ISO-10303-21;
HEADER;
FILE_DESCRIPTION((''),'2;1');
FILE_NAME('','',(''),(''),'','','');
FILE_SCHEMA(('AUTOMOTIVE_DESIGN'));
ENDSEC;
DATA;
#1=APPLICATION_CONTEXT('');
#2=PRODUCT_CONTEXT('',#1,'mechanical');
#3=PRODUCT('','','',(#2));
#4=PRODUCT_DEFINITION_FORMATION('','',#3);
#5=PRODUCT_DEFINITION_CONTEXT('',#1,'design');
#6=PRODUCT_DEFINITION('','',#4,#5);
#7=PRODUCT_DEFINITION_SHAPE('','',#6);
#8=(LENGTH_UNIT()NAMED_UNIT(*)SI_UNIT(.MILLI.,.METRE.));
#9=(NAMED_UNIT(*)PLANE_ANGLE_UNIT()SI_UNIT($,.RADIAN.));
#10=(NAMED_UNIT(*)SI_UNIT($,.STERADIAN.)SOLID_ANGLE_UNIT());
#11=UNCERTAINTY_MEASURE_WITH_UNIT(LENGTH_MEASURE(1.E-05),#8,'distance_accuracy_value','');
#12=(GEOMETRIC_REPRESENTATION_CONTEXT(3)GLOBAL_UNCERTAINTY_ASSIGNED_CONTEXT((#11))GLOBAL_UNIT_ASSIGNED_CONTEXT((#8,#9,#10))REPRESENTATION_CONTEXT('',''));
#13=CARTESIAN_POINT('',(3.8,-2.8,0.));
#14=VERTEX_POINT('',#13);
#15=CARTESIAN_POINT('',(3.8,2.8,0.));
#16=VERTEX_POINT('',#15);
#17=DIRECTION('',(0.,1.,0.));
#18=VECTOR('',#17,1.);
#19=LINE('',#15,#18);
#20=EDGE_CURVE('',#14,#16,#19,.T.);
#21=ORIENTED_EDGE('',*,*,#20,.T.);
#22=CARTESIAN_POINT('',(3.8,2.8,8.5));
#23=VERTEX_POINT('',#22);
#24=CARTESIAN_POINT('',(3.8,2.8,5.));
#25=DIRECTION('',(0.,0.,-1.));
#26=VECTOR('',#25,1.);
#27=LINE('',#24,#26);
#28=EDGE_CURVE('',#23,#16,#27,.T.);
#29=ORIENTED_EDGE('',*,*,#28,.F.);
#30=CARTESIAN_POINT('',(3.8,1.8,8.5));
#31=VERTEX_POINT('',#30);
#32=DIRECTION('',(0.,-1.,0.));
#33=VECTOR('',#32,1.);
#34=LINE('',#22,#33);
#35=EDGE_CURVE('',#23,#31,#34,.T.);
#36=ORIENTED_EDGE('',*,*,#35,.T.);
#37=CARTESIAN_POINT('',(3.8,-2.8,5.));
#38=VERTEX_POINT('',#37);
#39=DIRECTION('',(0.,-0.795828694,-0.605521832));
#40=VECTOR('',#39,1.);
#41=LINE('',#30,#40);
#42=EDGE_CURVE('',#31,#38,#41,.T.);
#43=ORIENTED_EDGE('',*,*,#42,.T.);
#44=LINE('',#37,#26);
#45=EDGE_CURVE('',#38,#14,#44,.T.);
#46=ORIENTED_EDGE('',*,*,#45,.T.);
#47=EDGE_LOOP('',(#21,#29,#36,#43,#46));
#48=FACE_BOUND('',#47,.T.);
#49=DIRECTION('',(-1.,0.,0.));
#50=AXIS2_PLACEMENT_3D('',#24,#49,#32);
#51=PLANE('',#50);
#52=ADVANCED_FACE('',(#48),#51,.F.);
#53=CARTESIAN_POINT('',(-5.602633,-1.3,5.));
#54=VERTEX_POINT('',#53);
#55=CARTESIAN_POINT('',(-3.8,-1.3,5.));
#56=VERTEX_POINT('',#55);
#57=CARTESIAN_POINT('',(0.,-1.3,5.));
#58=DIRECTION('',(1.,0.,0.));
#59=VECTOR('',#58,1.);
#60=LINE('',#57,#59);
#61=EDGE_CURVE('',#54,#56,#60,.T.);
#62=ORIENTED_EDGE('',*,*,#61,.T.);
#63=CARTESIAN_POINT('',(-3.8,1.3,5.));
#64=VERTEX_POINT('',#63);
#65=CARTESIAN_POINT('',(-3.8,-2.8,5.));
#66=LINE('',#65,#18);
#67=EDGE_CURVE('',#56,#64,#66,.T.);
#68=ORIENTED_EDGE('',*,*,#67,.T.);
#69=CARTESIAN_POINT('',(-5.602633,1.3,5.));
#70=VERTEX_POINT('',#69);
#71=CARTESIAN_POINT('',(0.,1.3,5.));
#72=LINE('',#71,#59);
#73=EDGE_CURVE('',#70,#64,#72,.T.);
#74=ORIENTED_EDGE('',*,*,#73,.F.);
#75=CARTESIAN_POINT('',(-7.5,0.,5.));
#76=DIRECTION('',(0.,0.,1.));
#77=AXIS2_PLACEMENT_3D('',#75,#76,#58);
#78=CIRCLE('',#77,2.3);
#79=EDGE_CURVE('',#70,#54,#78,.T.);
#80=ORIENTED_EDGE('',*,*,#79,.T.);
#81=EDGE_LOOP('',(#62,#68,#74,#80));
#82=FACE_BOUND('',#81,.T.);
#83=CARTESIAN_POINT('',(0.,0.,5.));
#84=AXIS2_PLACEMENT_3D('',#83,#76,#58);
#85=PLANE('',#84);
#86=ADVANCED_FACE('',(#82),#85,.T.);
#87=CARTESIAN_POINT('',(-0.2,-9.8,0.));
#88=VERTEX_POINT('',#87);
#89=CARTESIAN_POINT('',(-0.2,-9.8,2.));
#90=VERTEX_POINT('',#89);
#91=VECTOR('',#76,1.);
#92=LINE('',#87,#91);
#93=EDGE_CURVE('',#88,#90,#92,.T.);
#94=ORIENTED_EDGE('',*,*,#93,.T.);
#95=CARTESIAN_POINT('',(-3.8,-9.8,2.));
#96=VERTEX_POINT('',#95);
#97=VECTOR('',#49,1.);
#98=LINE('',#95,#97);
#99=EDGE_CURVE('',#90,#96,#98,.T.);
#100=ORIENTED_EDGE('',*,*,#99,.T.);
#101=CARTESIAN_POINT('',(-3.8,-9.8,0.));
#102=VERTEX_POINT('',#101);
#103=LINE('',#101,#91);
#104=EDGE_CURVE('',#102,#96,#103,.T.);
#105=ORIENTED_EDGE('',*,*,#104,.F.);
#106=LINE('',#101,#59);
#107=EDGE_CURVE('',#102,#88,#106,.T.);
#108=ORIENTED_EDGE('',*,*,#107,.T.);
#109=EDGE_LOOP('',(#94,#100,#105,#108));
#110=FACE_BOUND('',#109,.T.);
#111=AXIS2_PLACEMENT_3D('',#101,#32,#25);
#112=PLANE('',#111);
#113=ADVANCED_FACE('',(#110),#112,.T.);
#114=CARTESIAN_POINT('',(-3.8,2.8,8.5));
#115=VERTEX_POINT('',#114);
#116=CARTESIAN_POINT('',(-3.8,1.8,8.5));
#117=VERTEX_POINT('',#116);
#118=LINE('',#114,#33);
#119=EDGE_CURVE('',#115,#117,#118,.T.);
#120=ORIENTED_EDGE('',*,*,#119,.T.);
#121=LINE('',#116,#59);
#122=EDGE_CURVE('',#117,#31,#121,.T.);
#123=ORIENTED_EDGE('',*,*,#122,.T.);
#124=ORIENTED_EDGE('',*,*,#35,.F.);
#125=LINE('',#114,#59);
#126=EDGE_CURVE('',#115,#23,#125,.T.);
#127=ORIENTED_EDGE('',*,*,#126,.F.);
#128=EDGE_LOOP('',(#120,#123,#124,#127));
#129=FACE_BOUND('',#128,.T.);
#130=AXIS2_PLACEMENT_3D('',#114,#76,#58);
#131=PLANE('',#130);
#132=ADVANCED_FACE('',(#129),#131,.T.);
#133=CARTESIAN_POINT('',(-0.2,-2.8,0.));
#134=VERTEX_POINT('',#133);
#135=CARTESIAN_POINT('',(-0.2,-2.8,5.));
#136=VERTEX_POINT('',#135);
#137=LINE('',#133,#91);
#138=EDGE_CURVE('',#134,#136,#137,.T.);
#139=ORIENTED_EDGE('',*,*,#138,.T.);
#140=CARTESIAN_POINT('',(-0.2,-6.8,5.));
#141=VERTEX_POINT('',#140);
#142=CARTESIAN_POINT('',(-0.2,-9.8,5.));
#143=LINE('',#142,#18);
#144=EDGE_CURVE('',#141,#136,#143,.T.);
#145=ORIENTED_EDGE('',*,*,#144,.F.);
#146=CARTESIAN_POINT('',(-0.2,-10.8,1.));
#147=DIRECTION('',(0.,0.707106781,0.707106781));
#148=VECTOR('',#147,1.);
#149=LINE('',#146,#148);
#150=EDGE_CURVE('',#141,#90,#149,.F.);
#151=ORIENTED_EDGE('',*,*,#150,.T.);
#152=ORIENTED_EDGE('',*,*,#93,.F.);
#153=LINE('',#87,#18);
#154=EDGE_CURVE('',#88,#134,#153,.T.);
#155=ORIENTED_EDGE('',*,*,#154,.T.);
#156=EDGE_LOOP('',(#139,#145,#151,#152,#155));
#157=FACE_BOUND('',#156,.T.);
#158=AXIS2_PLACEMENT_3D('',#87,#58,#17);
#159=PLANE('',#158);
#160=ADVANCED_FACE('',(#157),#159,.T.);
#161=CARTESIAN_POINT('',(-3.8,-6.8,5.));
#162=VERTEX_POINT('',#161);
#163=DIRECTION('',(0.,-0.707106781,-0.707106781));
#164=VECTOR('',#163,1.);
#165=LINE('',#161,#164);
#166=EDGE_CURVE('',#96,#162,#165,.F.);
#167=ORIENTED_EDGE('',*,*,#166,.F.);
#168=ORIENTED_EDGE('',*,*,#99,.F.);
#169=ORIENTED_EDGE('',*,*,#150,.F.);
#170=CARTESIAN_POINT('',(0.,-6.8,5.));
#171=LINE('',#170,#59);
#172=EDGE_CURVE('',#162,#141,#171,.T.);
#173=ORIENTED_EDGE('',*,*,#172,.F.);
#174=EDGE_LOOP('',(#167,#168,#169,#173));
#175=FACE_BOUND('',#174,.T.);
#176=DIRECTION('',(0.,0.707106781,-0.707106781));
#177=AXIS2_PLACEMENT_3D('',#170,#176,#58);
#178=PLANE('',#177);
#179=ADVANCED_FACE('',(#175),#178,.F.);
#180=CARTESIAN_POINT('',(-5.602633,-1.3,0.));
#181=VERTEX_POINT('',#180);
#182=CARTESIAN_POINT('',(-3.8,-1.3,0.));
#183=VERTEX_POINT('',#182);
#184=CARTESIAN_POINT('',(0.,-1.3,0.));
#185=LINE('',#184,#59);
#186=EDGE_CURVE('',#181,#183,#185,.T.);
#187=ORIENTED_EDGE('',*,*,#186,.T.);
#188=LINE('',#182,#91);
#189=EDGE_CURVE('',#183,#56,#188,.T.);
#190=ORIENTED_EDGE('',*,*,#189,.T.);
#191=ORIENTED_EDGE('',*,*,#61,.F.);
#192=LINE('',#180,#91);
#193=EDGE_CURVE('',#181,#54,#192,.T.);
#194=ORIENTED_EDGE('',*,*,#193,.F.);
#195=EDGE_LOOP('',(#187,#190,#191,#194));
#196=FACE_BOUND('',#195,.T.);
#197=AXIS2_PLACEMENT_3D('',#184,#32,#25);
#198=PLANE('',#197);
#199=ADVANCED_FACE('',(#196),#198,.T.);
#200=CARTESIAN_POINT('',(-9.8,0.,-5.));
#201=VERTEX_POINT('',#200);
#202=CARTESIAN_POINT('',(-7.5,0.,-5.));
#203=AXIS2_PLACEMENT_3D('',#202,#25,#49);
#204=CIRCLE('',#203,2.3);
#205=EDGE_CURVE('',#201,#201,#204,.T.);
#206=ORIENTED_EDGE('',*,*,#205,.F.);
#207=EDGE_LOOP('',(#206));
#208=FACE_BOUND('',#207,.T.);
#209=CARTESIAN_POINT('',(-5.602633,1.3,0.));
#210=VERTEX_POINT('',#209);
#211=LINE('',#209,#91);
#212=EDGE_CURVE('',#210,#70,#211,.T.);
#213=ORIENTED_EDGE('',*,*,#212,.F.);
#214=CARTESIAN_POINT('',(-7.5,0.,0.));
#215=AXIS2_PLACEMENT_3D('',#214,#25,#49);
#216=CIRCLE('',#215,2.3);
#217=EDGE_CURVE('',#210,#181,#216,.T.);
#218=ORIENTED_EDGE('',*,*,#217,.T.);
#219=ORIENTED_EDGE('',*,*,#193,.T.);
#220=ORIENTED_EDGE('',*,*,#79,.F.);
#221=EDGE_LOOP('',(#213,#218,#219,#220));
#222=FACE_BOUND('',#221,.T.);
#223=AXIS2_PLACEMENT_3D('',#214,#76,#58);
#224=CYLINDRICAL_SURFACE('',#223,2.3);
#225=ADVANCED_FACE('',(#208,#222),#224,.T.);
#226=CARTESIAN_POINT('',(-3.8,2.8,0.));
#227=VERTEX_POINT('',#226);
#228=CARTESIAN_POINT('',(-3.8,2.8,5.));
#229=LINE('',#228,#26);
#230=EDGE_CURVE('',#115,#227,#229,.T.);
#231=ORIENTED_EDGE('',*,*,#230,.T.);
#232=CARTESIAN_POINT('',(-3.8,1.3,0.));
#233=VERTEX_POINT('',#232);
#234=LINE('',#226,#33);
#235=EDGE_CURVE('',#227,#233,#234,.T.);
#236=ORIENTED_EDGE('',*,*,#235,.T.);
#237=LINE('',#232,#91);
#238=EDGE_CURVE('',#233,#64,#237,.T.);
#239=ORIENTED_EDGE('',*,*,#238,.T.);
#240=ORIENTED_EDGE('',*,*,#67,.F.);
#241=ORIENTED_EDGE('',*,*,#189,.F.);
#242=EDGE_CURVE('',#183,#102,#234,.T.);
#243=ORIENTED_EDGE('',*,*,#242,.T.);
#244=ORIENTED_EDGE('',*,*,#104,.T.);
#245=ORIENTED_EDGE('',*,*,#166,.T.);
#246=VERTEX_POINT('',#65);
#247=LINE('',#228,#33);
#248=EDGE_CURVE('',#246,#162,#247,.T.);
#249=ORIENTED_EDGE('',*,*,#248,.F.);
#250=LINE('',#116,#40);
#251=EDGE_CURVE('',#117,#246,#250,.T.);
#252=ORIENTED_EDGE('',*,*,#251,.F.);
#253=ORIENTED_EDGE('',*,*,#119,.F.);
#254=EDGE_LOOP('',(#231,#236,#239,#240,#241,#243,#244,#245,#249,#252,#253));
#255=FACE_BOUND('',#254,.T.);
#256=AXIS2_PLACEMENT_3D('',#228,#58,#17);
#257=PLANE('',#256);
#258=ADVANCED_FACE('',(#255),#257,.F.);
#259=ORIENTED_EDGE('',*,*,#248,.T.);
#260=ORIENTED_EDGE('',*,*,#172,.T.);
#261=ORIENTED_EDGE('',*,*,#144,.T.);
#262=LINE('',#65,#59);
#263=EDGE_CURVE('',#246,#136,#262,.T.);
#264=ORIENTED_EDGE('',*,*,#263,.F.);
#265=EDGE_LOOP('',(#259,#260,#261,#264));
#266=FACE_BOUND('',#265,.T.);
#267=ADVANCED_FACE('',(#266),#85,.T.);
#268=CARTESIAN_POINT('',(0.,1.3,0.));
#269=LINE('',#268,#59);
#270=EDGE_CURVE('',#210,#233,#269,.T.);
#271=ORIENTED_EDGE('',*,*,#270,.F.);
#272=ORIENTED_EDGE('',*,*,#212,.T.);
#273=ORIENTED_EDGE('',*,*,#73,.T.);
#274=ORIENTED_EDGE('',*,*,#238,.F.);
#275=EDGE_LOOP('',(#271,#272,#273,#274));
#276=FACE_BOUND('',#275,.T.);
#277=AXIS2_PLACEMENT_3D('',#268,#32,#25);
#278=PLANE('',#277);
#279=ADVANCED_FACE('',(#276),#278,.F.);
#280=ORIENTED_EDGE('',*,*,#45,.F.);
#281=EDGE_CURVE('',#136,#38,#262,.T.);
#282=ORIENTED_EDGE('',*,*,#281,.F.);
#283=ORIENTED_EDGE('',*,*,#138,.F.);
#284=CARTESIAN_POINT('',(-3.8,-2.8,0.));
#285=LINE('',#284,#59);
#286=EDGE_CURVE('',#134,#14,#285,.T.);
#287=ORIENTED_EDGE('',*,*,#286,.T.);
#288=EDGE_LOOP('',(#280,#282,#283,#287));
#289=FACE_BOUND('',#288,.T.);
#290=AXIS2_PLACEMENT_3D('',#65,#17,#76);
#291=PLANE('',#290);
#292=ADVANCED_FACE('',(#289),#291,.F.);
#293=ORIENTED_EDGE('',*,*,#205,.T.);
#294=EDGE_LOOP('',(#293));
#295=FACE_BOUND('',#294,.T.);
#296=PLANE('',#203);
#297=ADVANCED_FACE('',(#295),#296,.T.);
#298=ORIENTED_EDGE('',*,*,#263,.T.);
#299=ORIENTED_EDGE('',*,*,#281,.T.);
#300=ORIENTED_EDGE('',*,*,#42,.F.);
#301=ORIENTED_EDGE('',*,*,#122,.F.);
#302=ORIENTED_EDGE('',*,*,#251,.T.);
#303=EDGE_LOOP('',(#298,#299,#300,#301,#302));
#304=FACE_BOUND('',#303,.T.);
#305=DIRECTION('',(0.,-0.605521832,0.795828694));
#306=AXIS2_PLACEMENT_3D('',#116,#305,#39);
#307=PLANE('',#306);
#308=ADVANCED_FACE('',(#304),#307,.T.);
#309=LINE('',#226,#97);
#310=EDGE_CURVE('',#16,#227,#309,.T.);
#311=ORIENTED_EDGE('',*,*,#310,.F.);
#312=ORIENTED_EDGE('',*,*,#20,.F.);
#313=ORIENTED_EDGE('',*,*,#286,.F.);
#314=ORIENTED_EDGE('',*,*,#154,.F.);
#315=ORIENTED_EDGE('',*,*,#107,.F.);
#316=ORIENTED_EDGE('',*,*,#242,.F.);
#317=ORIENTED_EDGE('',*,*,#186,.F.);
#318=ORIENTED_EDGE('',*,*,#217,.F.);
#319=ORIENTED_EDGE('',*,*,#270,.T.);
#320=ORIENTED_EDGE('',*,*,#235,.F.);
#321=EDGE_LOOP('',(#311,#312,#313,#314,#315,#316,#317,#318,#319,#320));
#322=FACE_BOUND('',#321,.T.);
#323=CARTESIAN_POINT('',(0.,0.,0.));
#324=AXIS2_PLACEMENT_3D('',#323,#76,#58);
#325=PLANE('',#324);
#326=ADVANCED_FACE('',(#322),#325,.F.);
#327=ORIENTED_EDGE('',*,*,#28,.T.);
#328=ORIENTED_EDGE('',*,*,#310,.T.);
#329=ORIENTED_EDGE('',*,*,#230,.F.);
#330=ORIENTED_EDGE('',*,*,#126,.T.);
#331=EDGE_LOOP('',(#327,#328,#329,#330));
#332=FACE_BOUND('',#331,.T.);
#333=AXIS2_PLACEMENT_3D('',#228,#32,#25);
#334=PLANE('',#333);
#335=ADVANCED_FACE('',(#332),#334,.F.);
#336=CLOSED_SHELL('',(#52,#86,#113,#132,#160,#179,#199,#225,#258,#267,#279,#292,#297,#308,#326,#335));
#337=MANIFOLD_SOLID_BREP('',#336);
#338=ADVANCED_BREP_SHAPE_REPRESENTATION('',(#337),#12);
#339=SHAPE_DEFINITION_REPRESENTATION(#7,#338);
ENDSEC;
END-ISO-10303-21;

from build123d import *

# Parameters (mm, degrees)
SZKIC1_W                    = 7.6
SZKIC1_H                    = 5.6
DODANIE_WYCI_GNI_CIE1_DEPTH = 5
DODANIE_WYCI_GNI_CIE2_DEPTH = 5
SZKIC3_W                    = 3.6
SZKIC3_H                    = 7
DODANIE_WYCI_GNI_CIE3_DEPTH = 5
SZKIC4_R                    = 2.3
DODANIE_WYCI_GNI_CIE4_DEPTH = 5
SFAZOWANIE1_SIZE            = 3
DODANIE_WYCI_GNI_CIE5_DEPTH = 7.6


with BuildPart() as part:
    # Szkic1 → Dodanie-wyciągnięcie1 (new body)
    with BuildSketch(Plane.XY):
        Rectangle(SZKIC1_W, SZKIC1_H)
    extrude(amount=DODANIE_WYCI_GNI_CIE1_DEPTH)

    # Szkic2 → Dodanie-wyciągnięcie2 (add)
    with BuildSketch(Plane.XY.offset(5)):
        with BuildLine():
            Line((-6.955089184, -1.3), (-6.955089184, 1.3))
            Line((-6.955089184, 1.3), (-5.602633404, 1.3))
            ThreePointArc((-5.602633404, 1.3), (-9.8, 0), (-5.602633404, -1.3))
            Line((-5.602633404, -1.3), (-6.955089184, -1.3))
        make_face()
        with BuildLine():
            Line((-5.602633404, 1.3), (-6.955089184, 1.3))
            Line((-6.955089184, 1.3), (-6.955089184, -1.3))
            Line((-6.955089184, -1.3), (-5.602633404, -1.3))
            ThreePointArc((-5.602633404, -1.3), (-5.302962999, -0.680461913), (-5.2, 0))
            ThreePointArc((-5.2, 0), (-5.302962999, 0.680461913), (-5.602633404, 1.3))
        make_face()
        with BuildLine():
            Line((-3.8, 1.3), (-5.602633404, 1.3))
            ThreePointArc((-5.602633404, 1.3), (-5.302962999, 0.680461913), (-5.2, 0))
            ThreePointArc((-5.2, 0), (-5.302962999, -0.680461913), (-5.602633404, -1.3))
            Line((-5.602633404, -1.3), (-3.8, -1.3))
            Line((-3.8, -1.3), (-3.8, 1.3))
        make_face()
    extrude(amount=-DODANIE_WYCI_GNI_CIE2_DEPTH)

    # Szkic3 → Dodanie-wyciągnięcie3 (add)
    with BuildSketch(Plane.XY.offset(5)):
        with Locations((-2, -6.3)):
            Rectangle(SZKIC3_W, SZKIC3_H)
    extrude(amount=-DODANIE_WYCI_GNI_CIE3_DEPTH)

    # Szkic4 → Dodanie-wyciągnięcie4 (add)
    with BuildSketch(Plane(origin=(0, 0, 0), x_dir=(-1, 0, 0), z_dir=(0, 0, -1))):
        with Locations(Location((7.5, 0, 0), (0, 0, 145.58261129))):
            Circle(SZKIC4_R)
    extrude(amount=DODANIE_WYCI_GNI_CIE4_DEPTH)

    # Sfazowanie1
    sfazowanie1_edges = [part.edges().sort_by_distance(p)[0] for p in [
        (-2, -9.8, 5),
    ]]
    chamfer(sfazowanie1_edges, length=SFAZOWANIE1_SIZE)

    # Szkic5 → Dodanie-wyciągnięcie5 (add)
    with BuildSketch(Plane(origin=(3.8, 0, 0), x_dir=(0, 0, -1), z_dir=(1, 0, 0))):
        Polygon((-5, 2.8), (-8.5, 2.8), (-8.5, 1.8), (-5, -2.8), align=None)
    extrude(amount=-DODANIE_WYCI_GNI_CIE5_DEPTH)


solid = part.part
